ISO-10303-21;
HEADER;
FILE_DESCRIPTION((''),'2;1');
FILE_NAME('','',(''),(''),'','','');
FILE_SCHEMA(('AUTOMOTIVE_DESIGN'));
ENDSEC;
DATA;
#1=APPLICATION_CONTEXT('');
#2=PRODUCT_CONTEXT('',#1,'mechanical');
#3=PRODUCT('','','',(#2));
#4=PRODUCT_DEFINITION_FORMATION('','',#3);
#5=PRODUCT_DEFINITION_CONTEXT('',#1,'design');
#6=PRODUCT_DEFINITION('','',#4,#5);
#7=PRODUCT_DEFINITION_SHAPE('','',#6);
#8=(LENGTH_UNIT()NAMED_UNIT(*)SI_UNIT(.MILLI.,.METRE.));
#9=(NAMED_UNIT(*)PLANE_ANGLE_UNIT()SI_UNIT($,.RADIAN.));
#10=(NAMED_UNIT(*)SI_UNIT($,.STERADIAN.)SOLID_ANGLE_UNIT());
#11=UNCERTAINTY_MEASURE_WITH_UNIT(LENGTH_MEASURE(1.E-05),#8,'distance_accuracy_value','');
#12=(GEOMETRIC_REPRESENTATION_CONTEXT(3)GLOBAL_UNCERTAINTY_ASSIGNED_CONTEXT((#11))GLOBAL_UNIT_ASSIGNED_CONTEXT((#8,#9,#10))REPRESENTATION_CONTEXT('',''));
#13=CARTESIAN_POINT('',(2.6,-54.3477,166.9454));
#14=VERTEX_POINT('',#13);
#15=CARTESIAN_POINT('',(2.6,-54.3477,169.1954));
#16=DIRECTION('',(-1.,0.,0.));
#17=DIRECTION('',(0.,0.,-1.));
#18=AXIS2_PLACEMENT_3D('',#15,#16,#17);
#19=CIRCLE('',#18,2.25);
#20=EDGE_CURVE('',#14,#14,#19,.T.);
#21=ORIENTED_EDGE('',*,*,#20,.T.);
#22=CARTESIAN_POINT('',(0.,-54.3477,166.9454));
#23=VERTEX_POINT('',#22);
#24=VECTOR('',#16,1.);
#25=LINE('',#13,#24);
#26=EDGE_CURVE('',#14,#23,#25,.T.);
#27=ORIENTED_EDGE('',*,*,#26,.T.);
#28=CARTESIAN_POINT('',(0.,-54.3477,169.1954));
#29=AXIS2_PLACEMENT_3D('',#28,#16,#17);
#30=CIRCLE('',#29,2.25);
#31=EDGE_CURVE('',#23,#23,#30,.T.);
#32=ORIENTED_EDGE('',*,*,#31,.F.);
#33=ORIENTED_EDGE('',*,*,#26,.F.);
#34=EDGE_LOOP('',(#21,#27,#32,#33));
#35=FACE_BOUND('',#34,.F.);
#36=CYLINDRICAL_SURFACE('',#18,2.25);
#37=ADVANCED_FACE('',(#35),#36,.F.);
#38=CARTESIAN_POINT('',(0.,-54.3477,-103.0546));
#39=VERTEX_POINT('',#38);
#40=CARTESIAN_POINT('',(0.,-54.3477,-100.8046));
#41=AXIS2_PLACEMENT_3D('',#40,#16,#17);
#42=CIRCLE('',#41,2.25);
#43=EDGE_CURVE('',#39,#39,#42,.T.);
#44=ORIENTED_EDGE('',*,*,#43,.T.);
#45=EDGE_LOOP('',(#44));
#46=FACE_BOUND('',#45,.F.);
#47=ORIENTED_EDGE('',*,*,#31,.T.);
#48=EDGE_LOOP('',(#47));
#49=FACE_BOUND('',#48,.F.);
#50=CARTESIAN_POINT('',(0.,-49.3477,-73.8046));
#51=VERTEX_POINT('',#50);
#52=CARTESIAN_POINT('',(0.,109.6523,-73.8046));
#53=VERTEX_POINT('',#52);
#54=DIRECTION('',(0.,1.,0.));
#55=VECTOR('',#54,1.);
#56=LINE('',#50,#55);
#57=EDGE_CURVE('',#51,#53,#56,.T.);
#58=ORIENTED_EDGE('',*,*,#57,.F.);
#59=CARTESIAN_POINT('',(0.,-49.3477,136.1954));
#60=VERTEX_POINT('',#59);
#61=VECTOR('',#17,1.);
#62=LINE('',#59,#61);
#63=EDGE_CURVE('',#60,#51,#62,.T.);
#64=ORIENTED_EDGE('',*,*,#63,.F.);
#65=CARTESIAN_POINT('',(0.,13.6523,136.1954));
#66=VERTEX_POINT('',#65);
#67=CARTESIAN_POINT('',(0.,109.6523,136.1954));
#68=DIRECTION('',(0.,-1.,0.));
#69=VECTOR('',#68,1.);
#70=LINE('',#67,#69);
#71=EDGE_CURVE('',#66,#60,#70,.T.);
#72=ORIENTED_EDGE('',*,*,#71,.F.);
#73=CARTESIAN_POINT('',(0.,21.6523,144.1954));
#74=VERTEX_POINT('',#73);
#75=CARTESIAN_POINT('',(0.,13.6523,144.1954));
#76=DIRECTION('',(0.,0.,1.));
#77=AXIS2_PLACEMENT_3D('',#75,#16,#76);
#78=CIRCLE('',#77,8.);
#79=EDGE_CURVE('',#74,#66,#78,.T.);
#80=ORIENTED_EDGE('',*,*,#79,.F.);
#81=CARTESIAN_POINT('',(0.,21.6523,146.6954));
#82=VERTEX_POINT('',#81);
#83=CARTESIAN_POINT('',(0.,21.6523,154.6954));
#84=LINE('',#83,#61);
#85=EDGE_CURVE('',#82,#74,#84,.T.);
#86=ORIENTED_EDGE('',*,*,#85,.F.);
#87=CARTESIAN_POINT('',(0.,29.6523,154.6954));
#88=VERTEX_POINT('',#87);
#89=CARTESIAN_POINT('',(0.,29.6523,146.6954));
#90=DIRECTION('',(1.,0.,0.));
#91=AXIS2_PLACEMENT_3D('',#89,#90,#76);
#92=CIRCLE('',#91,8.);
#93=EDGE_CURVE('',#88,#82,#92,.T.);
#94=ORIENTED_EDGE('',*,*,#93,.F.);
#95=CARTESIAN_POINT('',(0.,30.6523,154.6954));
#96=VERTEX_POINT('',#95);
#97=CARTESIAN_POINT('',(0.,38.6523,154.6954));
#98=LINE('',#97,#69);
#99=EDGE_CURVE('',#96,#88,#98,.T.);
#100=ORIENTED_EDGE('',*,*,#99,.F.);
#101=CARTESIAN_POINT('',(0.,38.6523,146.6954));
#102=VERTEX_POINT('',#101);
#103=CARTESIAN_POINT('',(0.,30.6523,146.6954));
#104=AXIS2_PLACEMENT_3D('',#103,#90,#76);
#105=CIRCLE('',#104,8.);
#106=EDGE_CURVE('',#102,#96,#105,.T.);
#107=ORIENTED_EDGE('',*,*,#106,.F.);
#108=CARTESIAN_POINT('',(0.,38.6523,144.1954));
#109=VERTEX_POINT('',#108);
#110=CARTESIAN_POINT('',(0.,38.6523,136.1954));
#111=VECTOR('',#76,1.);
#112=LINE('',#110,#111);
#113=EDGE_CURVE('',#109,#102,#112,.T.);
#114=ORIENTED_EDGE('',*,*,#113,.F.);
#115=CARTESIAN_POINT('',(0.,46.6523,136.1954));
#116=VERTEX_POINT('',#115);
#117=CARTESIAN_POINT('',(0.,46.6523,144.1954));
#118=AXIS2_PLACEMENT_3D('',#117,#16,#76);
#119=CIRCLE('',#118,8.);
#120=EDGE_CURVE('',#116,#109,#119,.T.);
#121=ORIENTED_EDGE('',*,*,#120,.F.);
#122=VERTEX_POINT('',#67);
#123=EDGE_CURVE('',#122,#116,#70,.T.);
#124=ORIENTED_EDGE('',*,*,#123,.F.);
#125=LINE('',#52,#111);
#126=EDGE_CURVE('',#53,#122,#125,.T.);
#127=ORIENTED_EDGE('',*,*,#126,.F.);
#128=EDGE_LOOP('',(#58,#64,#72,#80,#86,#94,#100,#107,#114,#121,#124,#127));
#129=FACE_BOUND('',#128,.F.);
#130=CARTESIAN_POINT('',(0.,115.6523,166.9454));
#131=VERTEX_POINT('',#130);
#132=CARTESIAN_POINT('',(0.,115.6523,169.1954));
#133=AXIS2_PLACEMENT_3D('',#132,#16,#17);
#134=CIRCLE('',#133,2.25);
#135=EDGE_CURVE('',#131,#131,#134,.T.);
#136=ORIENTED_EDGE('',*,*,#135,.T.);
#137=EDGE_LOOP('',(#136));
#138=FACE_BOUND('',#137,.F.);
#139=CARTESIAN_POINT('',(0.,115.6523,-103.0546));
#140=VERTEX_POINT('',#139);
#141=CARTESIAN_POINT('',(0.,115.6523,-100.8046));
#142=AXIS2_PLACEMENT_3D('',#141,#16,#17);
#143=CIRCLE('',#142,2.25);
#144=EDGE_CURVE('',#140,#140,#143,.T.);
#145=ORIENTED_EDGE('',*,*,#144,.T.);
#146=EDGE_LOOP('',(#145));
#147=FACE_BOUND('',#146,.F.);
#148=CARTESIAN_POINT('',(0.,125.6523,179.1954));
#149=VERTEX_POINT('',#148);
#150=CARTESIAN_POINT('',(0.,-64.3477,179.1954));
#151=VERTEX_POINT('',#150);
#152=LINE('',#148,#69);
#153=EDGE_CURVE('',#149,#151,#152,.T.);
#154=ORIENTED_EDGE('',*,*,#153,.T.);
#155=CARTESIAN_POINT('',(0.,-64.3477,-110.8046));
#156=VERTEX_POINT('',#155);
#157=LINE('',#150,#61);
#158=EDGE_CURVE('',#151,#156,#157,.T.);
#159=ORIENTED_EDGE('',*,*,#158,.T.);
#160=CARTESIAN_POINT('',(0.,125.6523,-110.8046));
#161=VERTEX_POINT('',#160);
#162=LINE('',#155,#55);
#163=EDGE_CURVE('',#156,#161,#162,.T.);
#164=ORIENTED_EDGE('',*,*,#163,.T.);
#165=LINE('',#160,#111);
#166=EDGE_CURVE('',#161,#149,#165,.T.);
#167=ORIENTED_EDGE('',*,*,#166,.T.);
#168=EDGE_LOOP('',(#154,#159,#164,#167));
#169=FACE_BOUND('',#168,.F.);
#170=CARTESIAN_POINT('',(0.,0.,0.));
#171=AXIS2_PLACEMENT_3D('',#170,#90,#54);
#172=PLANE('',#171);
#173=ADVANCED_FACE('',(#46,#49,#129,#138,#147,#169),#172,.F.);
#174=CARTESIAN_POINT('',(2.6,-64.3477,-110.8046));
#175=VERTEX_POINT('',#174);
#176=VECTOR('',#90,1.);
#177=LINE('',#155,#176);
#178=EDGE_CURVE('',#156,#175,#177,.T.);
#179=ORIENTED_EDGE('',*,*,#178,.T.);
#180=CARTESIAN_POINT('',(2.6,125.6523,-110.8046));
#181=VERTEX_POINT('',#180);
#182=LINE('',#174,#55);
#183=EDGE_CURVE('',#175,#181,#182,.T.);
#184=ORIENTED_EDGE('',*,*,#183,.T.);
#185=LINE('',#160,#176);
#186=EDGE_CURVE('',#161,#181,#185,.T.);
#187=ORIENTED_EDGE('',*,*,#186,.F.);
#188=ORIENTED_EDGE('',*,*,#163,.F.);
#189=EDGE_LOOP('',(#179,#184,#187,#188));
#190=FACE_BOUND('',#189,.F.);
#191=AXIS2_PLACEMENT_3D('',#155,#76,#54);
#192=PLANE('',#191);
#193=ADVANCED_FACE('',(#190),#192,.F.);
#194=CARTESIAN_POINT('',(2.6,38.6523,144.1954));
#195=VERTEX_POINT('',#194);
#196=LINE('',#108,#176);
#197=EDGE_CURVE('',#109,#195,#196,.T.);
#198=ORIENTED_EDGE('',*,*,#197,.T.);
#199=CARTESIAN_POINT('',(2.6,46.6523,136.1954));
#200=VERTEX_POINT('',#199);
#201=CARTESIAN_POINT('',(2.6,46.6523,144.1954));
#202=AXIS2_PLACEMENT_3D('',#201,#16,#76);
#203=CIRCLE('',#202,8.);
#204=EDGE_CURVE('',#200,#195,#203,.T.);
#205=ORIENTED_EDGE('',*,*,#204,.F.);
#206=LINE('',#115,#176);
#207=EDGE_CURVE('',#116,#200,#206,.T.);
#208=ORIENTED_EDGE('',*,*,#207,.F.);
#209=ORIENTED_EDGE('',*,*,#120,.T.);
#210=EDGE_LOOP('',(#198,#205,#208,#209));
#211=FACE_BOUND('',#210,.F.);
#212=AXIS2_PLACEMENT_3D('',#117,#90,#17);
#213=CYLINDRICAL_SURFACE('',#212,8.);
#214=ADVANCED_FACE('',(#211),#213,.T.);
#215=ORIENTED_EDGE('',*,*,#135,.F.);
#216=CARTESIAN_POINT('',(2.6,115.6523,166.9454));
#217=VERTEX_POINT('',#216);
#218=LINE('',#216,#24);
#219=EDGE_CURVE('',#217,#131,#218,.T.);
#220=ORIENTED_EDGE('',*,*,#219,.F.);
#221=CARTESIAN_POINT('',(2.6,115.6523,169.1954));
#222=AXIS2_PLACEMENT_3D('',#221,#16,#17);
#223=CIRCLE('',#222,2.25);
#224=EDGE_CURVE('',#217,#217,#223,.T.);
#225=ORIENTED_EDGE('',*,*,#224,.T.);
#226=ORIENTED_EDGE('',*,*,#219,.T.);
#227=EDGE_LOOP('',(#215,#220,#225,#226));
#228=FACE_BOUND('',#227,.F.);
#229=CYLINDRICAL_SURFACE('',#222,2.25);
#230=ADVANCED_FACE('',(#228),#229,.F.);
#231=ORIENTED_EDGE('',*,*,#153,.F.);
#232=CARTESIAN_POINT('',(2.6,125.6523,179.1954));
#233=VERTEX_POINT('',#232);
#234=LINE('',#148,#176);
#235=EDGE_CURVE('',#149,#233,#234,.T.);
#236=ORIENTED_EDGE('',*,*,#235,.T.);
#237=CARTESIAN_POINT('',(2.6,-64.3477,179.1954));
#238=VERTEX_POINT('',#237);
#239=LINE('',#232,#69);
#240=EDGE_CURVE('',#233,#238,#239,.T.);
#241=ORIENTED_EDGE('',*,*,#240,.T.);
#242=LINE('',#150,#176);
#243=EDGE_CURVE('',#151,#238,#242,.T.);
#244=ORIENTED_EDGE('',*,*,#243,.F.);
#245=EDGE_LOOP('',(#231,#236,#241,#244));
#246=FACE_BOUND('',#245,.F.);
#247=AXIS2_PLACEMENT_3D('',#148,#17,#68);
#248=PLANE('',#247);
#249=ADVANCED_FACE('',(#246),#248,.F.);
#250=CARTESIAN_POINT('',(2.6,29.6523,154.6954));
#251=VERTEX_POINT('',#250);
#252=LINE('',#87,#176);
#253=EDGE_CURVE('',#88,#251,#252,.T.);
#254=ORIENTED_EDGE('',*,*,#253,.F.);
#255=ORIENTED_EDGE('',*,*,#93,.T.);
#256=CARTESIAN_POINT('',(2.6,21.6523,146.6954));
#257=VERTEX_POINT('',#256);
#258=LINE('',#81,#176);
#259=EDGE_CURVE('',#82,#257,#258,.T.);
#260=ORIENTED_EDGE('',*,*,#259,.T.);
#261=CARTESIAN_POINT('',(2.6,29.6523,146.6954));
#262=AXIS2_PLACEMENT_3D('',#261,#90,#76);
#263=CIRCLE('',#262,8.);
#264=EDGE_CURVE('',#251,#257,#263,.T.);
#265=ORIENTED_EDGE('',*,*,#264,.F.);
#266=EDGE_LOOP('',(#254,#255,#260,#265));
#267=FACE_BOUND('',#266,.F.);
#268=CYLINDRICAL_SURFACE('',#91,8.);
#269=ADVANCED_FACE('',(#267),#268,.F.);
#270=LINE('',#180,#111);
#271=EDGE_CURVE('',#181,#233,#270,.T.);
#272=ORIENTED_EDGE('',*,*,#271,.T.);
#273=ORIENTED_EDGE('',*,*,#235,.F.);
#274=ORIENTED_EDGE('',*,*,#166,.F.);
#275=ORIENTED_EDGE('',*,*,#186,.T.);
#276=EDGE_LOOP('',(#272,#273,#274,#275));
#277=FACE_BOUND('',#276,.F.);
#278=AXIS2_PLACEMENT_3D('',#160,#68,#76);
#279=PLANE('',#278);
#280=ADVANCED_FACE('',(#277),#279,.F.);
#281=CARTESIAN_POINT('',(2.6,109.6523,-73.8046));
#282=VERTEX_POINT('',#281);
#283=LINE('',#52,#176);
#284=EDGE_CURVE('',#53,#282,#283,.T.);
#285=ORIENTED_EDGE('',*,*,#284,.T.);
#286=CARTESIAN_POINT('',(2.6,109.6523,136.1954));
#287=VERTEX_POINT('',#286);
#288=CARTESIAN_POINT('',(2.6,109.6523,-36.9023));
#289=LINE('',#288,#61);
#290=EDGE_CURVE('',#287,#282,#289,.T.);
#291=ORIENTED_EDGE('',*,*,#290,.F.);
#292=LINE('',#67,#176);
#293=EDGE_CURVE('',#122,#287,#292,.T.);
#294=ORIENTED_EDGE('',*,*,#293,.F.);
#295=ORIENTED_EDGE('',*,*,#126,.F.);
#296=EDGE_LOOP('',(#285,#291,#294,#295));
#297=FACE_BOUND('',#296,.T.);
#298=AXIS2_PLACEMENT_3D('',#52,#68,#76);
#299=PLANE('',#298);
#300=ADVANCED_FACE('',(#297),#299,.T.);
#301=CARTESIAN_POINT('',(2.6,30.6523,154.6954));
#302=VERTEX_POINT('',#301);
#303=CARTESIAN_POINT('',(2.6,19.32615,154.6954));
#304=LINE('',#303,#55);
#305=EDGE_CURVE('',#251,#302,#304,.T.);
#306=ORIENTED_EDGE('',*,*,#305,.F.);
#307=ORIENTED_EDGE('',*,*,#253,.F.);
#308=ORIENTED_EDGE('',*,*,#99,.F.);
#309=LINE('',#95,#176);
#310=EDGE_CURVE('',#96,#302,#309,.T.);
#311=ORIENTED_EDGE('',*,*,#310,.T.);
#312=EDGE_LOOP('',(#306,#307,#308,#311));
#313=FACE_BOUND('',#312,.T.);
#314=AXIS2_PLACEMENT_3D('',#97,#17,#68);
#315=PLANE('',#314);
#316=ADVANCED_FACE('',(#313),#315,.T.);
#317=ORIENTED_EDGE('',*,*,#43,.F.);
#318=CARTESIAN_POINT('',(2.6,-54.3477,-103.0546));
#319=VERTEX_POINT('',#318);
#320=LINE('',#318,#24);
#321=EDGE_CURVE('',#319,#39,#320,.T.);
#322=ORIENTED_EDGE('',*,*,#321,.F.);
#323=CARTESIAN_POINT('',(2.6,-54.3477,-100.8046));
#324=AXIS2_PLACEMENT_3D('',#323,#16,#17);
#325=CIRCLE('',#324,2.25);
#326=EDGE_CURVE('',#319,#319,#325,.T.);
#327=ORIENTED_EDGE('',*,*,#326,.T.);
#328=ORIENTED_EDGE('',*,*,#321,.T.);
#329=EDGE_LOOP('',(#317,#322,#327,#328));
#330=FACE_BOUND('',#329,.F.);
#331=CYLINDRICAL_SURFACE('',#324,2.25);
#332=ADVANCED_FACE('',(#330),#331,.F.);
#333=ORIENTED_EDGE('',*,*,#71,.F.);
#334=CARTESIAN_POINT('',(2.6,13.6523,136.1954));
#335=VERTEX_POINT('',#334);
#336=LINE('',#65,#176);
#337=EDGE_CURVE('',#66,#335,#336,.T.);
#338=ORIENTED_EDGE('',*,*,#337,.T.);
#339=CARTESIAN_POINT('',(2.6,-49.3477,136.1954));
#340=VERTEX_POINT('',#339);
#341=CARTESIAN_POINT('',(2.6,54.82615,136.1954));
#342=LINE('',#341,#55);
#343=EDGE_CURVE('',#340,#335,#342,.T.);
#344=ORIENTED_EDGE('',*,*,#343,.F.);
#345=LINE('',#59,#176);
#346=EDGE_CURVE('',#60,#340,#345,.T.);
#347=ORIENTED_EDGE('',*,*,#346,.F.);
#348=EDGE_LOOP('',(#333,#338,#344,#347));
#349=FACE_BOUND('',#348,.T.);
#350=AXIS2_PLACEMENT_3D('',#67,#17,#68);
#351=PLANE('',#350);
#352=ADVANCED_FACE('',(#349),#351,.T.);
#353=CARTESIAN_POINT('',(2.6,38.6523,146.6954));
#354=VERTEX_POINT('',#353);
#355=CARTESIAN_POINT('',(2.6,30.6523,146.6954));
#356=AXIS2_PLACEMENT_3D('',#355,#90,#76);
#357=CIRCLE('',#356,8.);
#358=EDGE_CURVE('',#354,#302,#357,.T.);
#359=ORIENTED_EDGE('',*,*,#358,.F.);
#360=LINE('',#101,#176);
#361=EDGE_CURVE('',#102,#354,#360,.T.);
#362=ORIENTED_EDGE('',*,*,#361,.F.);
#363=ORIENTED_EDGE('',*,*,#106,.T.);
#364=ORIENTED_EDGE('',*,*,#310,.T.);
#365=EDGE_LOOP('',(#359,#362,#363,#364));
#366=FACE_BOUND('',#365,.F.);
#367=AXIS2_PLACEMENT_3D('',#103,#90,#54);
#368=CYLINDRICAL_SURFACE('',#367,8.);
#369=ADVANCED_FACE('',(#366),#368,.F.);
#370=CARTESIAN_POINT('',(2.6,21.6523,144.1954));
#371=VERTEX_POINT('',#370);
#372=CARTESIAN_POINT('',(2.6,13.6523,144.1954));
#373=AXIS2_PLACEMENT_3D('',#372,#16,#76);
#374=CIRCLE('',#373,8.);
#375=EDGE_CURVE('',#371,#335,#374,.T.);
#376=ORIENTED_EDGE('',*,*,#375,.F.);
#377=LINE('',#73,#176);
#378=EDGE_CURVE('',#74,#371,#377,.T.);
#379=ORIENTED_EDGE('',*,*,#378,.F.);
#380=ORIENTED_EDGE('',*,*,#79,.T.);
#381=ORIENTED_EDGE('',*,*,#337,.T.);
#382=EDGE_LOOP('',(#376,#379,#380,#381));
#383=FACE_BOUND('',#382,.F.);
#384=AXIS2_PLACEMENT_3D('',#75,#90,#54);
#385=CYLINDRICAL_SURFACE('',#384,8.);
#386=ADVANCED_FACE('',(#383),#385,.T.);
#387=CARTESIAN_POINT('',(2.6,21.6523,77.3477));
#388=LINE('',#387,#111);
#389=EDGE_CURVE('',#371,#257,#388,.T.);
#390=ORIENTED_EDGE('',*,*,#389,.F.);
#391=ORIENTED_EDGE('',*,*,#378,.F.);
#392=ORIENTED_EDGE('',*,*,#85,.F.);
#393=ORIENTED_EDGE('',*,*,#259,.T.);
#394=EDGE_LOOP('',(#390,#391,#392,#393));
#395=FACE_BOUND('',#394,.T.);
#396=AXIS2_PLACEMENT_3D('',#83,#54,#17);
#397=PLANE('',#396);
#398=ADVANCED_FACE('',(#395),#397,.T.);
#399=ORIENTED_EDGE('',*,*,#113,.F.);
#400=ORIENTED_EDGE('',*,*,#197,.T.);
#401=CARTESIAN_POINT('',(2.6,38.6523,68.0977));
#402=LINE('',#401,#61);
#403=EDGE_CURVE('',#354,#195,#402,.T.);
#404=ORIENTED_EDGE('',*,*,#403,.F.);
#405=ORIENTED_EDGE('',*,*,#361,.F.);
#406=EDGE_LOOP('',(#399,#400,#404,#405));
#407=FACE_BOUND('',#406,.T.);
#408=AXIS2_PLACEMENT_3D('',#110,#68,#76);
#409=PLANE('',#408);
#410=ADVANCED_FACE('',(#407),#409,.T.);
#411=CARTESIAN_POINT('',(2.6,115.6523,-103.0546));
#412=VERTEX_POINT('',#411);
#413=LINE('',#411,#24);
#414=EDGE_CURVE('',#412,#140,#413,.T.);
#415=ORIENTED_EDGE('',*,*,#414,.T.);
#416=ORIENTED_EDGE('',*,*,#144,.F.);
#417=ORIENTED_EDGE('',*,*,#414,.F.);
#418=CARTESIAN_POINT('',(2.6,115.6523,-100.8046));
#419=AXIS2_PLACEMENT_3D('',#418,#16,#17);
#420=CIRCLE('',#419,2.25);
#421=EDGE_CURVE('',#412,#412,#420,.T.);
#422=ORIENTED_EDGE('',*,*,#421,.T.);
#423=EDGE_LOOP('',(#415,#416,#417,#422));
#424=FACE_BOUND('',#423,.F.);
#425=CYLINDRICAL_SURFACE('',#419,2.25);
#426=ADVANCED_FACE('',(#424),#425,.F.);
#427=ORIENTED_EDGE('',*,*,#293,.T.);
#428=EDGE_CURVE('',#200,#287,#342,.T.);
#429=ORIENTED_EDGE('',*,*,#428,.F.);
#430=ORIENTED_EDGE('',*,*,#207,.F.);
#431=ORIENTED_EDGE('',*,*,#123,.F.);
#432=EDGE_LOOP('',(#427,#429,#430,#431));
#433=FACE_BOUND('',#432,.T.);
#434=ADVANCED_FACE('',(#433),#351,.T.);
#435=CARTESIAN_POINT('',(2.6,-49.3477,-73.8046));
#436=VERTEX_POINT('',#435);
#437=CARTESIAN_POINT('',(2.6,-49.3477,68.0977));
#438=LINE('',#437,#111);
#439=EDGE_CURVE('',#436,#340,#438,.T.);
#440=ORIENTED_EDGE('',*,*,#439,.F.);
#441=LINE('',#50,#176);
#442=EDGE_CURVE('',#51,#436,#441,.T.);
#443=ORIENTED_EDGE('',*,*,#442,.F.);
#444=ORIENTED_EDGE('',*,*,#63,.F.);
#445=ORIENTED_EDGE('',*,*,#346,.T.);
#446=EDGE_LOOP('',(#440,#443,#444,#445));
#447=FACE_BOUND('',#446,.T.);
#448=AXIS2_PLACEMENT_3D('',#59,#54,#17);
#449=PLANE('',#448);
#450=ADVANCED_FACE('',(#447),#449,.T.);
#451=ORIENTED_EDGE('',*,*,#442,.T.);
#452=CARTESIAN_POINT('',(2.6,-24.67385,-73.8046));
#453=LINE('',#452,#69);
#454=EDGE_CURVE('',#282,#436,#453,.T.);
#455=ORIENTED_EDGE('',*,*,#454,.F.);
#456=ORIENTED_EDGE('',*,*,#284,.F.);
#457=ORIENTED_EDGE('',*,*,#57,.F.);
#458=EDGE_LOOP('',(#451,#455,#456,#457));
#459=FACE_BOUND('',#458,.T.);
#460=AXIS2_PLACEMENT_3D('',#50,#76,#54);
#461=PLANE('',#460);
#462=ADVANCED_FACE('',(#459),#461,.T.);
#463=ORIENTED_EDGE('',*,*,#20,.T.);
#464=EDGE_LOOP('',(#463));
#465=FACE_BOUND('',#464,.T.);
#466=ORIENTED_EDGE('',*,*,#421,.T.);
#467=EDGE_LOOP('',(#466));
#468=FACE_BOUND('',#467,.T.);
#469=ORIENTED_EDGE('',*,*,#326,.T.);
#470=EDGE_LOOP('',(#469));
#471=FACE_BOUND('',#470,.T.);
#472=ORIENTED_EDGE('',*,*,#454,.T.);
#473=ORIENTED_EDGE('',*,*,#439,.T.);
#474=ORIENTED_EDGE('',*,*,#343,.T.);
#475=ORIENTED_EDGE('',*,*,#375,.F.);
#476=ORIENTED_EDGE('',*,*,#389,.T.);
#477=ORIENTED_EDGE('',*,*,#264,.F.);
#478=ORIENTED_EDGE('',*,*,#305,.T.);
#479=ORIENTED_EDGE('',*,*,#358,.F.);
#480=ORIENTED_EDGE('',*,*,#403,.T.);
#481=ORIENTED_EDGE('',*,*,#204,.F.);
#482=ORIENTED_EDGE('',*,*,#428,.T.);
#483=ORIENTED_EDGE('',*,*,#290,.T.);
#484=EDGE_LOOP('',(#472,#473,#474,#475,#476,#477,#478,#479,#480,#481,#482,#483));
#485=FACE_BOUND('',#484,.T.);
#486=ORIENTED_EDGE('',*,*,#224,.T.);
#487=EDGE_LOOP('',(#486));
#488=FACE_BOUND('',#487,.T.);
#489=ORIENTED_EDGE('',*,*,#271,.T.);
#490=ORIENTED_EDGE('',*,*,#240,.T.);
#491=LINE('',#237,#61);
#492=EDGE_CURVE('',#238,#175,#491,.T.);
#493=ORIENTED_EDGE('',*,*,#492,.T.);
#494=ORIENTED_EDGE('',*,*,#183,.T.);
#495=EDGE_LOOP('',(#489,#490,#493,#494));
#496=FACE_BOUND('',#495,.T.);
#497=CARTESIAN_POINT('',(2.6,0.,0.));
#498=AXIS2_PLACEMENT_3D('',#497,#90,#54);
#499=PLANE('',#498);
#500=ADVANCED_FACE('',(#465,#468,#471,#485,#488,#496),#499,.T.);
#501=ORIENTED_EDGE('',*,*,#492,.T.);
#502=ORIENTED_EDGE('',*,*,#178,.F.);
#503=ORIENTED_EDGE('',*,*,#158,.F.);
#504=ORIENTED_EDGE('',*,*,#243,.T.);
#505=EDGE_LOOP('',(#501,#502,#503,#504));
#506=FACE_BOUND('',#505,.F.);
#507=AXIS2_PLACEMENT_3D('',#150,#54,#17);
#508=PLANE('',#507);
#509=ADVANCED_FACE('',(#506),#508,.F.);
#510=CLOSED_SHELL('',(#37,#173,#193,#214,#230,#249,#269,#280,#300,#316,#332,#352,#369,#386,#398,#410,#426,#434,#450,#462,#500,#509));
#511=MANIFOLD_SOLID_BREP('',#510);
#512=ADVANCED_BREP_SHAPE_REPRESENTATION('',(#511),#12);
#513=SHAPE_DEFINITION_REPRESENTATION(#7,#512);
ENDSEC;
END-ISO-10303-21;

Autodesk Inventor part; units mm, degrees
ref_plane "YZ Plane" through (0, 0, 0) normal (1, 0, 0) x (0, 1, 0)
ref_plane "XZ Plane" through (0, 0, 0) normal (0, 1, 0) x (-1, 0, 0)
ref_plane "XY Plane" through (0, 0, 0) normal (0, 0, 1) x (1, 0, 0)
sketch "スケッチ1" plane through (0, 0, 0) normal (1, 0, 0) x (0, 1, 0)
  line L0 (125.6523, 179.1954) -> (-64.3477, 179.1954)
  line L1 (-64.3477, 179.1954) -> (-64.3477, -110.8046)
  line L2 (-64.3477, -110.8046) -> (125.6523, -110.8046)
  line L3 (125.6523, -110.8046) -> (125.6523, 179.1954)
  point P0 (0, 0)
  dimension "d0" = 190
  dimension "d1" = 290
extrude "押し出し1" add sketch "スケッチ1" along normal blind 2.6
sketch "スケッチ2" plane through (2.6, 0, 0) normal (1, 0, 0) x (0, 0, -1)
  line L0 (-179.1954, 125.6523) -> (-179.1954, -64.3477) projected
  line L1 (-179.1954, -64.3477) -> (110.8046, -64.3477) projected
  line L2 (110.8046, -64.3477) -> (110.8046, 125.6523) projected
  line L3 (110.8046, 125.6523) -> (-179.1954, 125.6523) projected
  line L4 (-34.1954, 30.6523) -> (-34.1954, 125.6523)
  line L5 (110.8046, 125.6523) -> (-179.1954, 125.6523) projected
  line L6 (-34.1954, 30.6523) -> (110.8046, 30.6523)
  point P0 (0, 0)
  point P1 (-169.1954, 115.6523)
  point P2 (100.8046, 115.6523)
  point P3 (-169.1954, -54.3477)
  point P4 (100.8046, -54.3477)
  dimension "d4" = 10
  dimension "d5" = 10
hole "穴1" at (2.6, 115.6523, 169.1954) at (2.6, 115.6523, -100.8046) at (2.6, -54.3477, 169.1954) at (2.6, -54.3477, -100.8046) direction (-1, 0, 0) diameter 4.5 depth 10 tip angle 118
sketch "スケッチ4" plane through (0, 0, 0) normal (-1, 0, 0) x (0, 0, 1)
  line L0 (-73.8046, -49.3477) -> (-73.8046, 109.6523) projected
  line L1 (-73.8046, 109.6523) -> (136.1954, 109.6523) projected
  line L2 (136.1954, 109.6523) -> (136.1954, -49.3477) projected
  line L3 (136.1954, -49.3477) -> (-73.8046, -49.3477) projected
  point P0 (0, 0)
extrude "押し出し3" cut sketch "スケッチ4" against normal blind 10
sketch "スケッチ5" plane through (0, 0, 0) normal (-1, 0, 0) x (0, 0, 1)
  circle A0 centre (146.6954, 30.1523) radius 5.5 projected
  line L0 (136.1954, 109.6523) -> (136.1954, -49.3477) projected
  line L1 (136.1954, 38.6523) -> (154.6954, 38.6523)
  line L2 (154.6954, 38.6523) -> (154.6954, 21.6523)
  line L3 (154.6954, 21.6523) -> (136.1954, 21.6523)
  line L4 (136.1954, 21.6523) -> (136.1954, 38.6523)
  point P0 (0, 0)
  point P1 (136.1954, 21.6523)
  dimension "d21" = 8
  dimension "d22" = 8.5
  dimension "d23" = 8.5
extrude "押し出し4" cut sketch "スケッチ5" against normal blind 10 contours A0 | L1 L2 L3 L0
fillet "フィレット1" radius 8 4 edges at (1.3, 38.6523, 154.6954) (1.3, 21.6523, 154.6954) (1.3, 38.6523, 136.1954) (1.3, 21.6523, 136.1954)
properties part number "lc_box_side" material "ポリカーボネート、クリア"
